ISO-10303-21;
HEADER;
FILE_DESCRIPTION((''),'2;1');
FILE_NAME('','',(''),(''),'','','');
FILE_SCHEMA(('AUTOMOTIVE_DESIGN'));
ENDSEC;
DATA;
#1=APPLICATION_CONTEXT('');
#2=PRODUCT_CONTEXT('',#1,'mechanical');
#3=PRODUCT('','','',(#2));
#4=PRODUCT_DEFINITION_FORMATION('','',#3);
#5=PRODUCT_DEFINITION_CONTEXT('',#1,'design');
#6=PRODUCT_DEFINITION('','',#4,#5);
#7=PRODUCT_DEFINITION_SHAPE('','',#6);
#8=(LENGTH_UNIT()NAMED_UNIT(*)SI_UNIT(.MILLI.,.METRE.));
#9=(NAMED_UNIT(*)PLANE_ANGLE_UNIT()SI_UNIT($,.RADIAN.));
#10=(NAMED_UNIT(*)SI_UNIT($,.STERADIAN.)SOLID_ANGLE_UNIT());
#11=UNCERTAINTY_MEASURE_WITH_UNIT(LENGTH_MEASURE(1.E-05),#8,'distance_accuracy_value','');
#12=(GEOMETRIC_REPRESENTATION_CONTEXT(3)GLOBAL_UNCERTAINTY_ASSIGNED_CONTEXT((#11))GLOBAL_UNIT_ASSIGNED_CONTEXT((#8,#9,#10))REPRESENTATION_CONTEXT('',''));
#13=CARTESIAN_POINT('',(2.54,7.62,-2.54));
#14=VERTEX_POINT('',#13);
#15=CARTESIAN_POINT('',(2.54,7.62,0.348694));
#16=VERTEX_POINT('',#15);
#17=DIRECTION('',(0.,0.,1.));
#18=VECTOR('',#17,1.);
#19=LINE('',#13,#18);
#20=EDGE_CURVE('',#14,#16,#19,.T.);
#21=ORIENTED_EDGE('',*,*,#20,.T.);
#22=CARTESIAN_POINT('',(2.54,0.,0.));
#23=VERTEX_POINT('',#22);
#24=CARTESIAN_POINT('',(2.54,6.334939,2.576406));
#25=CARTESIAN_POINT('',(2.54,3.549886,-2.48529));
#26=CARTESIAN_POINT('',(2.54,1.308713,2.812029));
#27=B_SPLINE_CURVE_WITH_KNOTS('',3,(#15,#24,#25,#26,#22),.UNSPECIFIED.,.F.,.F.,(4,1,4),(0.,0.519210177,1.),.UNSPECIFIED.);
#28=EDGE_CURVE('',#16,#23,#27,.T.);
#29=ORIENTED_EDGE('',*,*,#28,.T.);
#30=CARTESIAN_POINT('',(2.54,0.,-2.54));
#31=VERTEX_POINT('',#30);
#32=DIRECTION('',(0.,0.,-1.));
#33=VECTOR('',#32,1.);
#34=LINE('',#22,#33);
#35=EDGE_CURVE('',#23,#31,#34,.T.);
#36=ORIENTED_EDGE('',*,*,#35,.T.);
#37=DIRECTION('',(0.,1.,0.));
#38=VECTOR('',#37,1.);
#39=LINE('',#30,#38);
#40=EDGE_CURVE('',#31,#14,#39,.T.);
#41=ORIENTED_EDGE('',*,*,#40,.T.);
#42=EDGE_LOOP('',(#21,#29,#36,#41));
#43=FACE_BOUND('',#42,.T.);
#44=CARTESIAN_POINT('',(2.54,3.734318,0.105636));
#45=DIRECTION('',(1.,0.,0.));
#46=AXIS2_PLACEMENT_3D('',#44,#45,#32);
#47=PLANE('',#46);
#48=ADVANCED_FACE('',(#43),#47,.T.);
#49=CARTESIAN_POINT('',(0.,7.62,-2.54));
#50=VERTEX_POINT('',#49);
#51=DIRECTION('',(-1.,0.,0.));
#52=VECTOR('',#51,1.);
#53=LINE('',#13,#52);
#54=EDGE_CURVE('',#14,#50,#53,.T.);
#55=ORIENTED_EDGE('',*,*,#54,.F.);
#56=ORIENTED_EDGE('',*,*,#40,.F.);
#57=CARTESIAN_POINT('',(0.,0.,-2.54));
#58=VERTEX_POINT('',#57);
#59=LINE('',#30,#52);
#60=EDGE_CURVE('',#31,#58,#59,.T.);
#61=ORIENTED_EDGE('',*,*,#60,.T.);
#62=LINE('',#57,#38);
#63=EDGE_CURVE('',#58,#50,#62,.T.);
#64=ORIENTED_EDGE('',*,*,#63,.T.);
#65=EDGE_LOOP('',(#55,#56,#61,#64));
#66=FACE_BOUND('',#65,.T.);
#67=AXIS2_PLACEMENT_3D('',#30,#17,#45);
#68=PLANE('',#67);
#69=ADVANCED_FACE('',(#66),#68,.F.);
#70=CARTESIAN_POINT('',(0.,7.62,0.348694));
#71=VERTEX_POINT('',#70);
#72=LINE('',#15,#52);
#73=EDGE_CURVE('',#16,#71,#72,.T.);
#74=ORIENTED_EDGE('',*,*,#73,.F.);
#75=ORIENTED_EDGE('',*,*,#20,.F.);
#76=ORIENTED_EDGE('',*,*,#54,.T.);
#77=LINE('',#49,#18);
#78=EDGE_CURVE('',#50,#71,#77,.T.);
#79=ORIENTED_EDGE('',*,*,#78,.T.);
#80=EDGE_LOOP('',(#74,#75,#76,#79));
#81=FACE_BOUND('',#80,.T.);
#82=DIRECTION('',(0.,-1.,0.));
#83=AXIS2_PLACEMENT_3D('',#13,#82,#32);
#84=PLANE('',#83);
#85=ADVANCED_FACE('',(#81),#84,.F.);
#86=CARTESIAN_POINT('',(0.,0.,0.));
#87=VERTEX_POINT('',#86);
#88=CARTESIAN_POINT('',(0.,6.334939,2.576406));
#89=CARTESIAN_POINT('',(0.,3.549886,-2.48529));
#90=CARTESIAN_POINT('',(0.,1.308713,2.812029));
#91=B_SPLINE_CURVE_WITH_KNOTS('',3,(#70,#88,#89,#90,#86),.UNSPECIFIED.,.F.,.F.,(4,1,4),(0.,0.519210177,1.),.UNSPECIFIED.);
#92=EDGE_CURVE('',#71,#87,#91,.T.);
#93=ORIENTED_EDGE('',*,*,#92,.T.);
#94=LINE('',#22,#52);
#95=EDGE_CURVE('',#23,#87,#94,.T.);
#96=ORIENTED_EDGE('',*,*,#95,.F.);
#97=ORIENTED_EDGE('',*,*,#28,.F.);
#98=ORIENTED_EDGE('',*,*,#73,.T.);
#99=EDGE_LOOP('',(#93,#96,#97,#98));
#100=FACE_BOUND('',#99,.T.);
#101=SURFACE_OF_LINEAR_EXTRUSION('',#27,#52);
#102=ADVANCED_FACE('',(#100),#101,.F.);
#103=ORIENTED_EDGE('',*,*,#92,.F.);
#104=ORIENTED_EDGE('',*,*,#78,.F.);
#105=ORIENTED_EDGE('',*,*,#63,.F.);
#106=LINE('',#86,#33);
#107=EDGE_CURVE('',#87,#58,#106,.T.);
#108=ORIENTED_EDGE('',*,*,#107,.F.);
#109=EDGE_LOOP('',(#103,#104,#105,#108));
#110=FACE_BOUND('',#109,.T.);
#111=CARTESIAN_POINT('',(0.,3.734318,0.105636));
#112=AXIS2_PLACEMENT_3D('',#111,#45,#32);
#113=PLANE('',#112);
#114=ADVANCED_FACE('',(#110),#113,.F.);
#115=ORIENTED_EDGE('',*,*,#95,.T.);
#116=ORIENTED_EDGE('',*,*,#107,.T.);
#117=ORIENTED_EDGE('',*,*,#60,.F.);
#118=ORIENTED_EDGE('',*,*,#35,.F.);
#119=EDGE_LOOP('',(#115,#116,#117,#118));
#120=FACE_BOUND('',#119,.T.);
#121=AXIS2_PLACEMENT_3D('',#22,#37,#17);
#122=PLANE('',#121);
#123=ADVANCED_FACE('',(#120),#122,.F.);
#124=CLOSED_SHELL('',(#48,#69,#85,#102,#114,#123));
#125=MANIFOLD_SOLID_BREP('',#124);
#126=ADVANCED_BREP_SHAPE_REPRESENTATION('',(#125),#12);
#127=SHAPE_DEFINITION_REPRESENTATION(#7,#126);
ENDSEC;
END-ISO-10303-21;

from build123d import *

# Parameters (mm, degrees)
BOSS_EXTRUDE1_DEPTH = 2.54


with BuildPart() as part:
    # Sketch1 → Boss-Extrude1 (new body)
    with BuildSketch(Plane.YZ):
        with BuildLine():
            Line((0, 0), (0, -2.54))
            Line((0, -2.54), (7.62, -2.54))
            Line((7.62, -2.54), (7.62, 0.348694482))
            add(Edge.make_bspline(
                [(0, 0), (1.308712736, 2.812029335), (3.549886227, -2.485290349), (6.334938826, 2.576406426), (7.62, 0.348694482)],
                knots=[0, 0, 0, 0, 0.480789823, 1, 1, 1, 1], degree=3))
        make_face()
    extrude(amount=BOSS_EXTRUDE1_DEPTH)


solid = part.part
